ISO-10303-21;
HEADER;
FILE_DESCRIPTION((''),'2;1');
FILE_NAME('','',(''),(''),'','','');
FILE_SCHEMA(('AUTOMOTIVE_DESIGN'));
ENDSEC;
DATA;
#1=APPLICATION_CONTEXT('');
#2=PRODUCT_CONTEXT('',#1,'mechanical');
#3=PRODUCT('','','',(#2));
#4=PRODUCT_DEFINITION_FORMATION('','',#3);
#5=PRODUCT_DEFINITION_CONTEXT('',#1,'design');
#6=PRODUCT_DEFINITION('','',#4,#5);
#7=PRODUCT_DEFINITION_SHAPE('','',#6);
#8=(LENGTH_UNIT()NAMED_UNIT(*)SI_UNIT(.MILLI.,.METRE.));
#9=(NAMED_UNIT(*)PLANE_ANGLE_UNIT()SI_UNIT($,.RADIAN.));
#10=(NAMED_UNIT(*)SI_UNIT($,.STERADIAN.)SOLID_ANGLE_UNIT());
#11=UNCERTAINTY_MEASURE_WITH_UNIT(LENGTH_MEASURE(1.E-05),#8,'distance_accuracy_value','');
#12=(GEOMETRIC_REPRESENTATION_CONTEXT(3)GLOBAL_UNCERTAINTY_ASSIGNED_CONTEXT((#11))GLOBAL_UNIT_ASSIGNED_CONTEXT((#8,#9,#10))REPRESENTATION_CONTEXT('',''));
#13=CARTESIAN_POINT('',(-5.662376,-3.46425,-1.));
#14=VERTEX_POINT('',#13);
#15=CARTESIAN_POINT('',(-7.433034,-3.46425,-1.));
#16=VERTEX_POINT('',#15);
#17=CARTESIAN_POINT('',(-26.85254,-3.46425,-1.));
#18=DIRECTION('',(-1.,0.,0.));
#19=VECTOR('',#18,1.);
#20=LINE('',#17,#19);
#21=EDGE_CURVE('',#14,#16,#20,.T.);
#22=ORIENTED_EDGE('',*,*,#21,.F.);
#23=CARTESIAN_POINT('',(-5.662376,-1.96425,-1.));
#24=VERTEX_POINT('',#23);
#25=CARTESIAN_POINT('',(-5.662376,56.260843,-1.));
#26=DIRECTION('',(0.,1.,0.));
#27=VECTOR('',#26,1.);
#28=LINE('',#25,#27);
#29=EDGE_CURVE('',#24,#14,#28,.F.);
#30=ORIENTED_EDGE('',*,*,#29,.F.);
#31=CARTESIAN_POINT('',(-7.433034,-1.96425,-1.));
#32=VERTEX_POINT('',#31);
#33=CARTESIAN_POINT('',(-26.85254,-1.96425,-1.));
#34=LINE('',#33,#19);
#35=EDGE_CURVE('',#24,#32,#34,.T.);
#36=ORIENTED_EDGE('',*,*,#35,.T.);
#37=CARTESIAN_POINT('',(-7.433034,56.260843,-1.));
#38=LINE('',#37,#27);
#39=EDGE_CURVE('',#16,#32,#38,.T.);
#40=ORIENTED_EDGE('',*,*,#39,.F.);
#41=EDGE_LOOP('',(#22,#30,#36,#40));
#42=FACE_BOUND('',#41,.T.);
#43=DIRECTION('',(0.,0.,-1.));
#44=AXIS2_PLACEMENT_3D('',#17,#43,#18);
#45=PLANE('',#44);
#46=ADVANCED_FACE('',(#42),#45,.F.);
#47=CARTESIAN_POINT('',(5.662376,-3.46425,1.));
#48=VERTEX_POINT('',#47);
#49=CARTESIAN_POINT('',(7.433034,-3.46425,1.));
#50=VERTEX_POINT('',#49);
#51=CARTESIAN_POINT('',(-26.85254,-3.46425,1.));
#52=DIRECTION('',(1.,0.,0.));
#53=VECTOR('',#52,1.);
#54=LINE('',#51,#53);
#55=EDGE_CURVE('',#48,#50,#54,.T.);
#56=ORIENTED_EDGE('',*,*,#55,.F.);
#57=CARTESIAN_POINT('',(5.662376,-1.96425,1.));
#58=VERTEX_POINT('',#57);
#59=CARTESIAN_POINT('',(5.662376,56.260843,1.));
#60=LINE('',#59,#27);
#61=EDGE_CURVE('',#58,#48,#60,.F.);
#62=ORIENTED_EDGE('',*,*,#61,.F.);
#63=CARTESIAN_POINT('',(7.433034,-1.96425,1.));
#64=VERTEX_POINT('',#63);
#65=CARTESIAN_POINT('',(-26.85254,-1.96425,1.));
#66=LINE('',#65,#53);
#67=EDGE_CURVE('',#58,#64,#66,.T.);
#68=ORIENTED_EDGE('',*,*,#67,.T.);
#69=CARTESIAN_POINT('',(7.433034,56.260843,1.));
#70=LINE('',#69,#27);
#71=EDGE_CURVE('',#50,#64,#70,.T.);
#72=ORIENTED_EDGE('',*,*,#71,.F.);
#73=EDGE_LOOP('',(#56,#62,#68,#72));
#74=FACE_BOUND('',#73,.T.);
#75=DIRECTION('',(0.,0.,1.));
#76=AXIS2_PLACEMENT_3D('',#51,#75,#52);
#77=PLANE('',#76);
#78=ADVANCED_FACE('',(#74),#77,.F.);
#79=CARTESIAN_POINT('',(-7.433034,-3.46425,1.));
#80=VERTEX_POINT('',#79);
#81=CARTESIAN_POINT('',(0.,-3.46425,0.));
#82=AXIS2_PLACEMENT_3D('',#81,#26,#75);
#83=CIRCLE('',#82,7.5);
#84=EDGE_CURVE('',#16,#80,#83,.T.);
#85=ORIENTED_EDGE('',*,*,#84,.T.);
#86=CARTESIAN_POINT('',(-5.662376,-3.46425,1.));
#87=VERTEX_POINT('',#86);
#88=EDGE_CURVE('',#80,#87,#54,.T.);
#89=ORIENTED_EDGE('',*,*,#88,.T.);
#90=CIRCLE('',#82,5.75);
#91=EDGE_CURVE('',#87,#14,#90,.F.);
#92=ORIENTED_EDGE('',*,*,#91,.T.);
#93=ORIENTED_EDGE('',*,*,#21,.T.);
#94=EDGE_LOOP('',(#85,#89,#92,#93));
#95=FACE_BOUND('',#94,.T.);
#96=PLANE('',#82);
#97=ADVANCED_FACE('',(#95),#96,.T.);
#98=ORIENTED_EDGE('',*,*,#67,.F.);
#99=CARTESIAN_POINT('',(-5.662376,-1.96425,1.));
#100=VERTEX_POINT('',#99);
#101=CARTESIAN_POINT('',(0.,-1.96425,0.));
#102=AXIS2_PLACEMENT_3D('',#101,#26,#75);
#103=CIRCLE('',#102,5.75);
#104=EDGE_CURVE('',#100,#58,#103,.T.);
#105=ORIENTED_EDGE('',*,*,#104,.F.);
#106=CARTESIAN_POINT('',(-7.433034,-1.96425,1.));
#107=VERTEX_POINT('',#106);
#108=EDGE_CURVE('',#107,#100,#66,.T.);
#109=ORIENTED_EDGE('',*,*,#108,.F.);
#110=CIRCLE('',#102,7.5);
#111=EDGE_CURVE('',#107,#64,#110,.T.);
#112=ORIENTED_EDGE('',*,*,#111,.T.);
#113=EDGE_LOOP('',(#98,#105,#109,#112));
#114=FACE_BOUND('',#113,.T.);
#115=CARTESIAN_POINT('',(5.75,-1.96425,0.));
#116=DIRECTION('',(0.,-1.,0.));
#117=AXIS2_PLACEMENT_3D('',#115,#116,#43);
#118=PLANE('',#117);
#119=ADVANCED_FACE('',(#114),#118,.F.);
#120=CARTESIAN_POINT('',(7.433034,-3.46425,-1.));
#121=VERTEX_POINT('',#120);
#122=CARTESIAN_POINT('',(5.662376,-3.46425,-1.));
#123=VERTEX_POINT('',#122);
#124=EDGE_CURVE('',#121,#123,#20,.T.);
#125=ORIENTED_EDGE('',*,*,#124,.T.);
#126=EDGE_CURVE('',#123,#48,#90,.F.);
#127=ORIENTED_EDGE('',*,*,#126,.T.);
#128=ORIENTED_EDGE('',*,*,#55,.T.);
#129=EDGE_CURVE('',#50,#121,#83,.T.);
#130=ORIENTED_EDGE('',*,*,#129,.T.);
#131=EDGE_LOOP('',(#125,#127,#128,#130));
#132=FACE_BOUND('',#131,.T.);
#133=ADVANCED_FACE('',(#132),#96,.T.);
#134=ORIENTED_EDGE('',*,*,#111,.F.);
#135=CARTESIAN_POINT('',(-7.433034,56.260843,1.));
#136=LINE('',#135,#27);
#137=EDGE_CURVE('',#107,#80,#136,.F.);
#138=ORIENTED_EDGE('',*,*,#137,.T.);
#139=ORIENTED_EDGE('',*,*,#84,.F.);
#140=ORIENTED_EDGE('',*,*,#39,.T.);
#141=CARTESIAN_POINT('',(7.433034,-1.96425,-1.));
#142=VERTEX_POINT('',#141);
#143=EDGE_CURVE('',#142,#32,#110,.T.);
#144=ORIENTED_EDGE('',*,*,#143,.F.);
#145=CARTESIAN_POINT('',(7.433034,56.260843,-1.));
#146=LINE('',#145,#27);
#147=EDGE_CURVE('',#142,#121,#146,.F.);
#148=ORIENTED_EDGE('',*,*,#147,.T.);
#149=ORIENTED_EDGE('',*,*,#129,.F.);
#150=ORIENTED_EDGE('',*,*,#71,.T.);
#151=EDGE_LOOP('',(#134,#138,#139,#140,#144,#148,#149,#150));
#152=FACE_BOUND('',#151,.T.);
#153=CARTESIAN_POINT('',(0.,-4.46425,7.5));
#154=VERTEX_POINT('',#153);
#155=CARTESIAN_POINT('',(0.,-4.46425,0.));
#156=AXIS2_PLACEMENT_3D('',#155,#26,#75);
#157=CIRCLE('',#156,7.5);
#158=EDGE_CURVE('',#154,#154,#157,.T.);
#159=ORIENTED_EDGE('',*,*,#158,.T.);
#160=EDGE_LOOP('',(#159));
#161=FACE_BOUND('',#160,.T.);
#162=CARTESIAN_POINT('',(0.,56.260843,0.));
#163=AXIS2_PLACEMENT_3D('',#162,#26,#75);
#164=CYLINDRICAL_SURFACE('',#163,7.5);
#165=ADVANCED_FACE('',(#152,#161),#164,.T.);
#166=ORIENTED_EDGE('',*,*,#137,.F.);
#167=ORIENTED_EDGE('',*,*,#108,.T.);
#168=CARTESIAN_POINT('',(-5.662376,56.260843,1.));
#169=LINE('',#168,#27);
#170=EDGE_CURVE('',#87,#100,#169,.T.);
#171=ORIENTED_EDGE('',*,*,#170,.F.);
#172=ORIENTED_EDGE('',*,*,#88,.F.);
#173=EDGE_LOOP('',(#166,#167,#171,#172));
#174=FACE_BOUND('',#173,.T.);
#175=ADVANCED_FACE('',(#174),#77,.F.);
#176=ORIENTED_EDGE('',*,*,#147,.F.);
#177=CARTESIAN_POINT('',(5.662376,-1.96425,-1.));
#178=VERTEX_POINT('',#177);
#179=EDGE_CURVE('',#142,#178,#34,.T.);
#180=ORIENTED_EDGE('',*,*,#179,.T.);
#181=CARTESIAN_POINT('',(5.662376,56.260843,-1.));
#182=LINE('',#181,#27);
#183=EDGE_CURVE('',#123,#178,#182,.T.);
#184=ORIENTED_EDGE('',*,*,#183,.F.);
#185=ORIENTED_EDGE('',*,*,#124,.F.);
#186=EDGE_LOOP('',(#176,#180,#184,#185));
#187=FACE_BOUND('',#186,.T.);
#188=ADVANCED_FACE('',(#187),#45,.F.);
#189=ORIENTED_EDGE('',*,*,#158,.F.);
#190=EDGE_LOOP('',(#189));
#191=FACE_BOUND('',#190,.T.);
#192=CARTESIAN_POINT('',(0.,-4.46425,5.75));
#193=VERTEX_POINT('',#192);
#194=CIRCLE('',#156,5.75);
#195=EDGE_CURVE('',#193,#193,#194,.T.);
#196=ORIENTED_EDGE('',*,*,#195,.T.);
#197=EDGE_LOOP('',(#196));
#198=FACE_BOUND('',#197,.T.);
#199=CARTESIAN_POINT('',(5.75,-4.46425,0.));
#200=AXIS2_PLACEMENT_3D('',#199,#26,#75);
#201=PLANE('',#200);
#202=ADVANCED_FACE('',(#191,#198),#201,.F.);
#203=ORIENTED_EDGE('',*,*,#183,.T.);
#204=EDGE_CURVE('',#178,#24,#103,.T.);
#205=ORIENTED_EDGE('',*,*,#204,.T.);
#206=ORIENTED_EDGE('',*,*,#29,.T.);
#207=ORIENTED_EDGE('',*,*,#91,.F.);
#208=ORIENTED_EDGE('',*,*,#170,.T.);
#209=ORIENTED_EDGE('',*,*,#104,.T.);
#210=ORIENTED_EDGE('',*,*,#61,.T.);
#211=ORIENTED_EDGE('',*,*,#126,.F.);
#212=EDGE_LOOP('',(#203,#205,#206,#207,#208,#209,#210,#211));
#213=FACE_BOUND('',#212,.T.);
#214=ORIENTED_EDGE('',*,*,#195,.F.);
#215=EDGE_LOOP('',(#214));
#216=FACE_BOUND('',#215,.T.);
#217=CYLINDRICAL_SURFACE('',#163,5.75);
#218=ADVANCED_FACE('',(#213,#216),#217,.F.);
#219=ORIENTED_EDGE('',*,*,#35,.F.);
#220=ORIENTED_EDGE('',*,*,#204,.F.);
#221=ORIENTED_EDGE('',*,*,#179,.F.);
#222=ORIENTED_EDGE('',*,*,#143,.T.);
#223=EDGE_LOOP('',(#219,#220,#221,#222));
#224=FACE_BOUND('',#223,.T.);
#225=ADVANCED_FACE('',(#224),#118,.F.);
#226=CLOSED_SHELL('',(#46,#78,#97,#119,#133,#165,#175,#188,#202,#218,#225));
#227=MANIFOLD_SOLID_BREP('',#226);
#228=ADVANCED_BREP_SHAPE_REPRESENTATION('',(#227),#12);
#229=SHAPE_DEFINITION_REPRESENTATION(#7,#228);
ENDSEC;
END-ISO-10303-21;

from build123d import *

# Parameters (mm, degrees)
SKETCH_1_W          = 1.75
SKETCH_1_H          = 2.5
SKETCH_2_W          = 53.705080546
SKETCH_2_H          = 2
CUT_EXTRUDE_1_DEPTH = 1.5


with BuildPart() as part:
    # 草图1 → 旋转1 (revolve)
    with BuildSketch(Plane.XY, mode=Mode.PRIVATE) as revolve_1_sk:
        with Locations((6.625, -3.214249787)):
            Rectangle(SKETCH_1_W, SKETCH_1_H)
    revolve(revolve_1_sk.sketch.rotate(Axis((0, 56.260842627, 0), (0, -1, 0)), 90), axis=Axis((0, 56.260842627, 0), (0, -1, 0)))  # turned: the seam where the file's is

    # 草图2 → 切除-拉伸1 (cut)
    with BuildSketch(Plane(origin=(0, -1.964249787, 0), x_dir=(1, 0, 0), z_dir=(0, 1, 0))):
        Rectangle(SKETCH_2_W, SKETCH_2_H)
    extrude(amount=-CUT_EXTRUDE_1_DEPTH, mode=Mode.SUBTRACT)


solid = part.part
